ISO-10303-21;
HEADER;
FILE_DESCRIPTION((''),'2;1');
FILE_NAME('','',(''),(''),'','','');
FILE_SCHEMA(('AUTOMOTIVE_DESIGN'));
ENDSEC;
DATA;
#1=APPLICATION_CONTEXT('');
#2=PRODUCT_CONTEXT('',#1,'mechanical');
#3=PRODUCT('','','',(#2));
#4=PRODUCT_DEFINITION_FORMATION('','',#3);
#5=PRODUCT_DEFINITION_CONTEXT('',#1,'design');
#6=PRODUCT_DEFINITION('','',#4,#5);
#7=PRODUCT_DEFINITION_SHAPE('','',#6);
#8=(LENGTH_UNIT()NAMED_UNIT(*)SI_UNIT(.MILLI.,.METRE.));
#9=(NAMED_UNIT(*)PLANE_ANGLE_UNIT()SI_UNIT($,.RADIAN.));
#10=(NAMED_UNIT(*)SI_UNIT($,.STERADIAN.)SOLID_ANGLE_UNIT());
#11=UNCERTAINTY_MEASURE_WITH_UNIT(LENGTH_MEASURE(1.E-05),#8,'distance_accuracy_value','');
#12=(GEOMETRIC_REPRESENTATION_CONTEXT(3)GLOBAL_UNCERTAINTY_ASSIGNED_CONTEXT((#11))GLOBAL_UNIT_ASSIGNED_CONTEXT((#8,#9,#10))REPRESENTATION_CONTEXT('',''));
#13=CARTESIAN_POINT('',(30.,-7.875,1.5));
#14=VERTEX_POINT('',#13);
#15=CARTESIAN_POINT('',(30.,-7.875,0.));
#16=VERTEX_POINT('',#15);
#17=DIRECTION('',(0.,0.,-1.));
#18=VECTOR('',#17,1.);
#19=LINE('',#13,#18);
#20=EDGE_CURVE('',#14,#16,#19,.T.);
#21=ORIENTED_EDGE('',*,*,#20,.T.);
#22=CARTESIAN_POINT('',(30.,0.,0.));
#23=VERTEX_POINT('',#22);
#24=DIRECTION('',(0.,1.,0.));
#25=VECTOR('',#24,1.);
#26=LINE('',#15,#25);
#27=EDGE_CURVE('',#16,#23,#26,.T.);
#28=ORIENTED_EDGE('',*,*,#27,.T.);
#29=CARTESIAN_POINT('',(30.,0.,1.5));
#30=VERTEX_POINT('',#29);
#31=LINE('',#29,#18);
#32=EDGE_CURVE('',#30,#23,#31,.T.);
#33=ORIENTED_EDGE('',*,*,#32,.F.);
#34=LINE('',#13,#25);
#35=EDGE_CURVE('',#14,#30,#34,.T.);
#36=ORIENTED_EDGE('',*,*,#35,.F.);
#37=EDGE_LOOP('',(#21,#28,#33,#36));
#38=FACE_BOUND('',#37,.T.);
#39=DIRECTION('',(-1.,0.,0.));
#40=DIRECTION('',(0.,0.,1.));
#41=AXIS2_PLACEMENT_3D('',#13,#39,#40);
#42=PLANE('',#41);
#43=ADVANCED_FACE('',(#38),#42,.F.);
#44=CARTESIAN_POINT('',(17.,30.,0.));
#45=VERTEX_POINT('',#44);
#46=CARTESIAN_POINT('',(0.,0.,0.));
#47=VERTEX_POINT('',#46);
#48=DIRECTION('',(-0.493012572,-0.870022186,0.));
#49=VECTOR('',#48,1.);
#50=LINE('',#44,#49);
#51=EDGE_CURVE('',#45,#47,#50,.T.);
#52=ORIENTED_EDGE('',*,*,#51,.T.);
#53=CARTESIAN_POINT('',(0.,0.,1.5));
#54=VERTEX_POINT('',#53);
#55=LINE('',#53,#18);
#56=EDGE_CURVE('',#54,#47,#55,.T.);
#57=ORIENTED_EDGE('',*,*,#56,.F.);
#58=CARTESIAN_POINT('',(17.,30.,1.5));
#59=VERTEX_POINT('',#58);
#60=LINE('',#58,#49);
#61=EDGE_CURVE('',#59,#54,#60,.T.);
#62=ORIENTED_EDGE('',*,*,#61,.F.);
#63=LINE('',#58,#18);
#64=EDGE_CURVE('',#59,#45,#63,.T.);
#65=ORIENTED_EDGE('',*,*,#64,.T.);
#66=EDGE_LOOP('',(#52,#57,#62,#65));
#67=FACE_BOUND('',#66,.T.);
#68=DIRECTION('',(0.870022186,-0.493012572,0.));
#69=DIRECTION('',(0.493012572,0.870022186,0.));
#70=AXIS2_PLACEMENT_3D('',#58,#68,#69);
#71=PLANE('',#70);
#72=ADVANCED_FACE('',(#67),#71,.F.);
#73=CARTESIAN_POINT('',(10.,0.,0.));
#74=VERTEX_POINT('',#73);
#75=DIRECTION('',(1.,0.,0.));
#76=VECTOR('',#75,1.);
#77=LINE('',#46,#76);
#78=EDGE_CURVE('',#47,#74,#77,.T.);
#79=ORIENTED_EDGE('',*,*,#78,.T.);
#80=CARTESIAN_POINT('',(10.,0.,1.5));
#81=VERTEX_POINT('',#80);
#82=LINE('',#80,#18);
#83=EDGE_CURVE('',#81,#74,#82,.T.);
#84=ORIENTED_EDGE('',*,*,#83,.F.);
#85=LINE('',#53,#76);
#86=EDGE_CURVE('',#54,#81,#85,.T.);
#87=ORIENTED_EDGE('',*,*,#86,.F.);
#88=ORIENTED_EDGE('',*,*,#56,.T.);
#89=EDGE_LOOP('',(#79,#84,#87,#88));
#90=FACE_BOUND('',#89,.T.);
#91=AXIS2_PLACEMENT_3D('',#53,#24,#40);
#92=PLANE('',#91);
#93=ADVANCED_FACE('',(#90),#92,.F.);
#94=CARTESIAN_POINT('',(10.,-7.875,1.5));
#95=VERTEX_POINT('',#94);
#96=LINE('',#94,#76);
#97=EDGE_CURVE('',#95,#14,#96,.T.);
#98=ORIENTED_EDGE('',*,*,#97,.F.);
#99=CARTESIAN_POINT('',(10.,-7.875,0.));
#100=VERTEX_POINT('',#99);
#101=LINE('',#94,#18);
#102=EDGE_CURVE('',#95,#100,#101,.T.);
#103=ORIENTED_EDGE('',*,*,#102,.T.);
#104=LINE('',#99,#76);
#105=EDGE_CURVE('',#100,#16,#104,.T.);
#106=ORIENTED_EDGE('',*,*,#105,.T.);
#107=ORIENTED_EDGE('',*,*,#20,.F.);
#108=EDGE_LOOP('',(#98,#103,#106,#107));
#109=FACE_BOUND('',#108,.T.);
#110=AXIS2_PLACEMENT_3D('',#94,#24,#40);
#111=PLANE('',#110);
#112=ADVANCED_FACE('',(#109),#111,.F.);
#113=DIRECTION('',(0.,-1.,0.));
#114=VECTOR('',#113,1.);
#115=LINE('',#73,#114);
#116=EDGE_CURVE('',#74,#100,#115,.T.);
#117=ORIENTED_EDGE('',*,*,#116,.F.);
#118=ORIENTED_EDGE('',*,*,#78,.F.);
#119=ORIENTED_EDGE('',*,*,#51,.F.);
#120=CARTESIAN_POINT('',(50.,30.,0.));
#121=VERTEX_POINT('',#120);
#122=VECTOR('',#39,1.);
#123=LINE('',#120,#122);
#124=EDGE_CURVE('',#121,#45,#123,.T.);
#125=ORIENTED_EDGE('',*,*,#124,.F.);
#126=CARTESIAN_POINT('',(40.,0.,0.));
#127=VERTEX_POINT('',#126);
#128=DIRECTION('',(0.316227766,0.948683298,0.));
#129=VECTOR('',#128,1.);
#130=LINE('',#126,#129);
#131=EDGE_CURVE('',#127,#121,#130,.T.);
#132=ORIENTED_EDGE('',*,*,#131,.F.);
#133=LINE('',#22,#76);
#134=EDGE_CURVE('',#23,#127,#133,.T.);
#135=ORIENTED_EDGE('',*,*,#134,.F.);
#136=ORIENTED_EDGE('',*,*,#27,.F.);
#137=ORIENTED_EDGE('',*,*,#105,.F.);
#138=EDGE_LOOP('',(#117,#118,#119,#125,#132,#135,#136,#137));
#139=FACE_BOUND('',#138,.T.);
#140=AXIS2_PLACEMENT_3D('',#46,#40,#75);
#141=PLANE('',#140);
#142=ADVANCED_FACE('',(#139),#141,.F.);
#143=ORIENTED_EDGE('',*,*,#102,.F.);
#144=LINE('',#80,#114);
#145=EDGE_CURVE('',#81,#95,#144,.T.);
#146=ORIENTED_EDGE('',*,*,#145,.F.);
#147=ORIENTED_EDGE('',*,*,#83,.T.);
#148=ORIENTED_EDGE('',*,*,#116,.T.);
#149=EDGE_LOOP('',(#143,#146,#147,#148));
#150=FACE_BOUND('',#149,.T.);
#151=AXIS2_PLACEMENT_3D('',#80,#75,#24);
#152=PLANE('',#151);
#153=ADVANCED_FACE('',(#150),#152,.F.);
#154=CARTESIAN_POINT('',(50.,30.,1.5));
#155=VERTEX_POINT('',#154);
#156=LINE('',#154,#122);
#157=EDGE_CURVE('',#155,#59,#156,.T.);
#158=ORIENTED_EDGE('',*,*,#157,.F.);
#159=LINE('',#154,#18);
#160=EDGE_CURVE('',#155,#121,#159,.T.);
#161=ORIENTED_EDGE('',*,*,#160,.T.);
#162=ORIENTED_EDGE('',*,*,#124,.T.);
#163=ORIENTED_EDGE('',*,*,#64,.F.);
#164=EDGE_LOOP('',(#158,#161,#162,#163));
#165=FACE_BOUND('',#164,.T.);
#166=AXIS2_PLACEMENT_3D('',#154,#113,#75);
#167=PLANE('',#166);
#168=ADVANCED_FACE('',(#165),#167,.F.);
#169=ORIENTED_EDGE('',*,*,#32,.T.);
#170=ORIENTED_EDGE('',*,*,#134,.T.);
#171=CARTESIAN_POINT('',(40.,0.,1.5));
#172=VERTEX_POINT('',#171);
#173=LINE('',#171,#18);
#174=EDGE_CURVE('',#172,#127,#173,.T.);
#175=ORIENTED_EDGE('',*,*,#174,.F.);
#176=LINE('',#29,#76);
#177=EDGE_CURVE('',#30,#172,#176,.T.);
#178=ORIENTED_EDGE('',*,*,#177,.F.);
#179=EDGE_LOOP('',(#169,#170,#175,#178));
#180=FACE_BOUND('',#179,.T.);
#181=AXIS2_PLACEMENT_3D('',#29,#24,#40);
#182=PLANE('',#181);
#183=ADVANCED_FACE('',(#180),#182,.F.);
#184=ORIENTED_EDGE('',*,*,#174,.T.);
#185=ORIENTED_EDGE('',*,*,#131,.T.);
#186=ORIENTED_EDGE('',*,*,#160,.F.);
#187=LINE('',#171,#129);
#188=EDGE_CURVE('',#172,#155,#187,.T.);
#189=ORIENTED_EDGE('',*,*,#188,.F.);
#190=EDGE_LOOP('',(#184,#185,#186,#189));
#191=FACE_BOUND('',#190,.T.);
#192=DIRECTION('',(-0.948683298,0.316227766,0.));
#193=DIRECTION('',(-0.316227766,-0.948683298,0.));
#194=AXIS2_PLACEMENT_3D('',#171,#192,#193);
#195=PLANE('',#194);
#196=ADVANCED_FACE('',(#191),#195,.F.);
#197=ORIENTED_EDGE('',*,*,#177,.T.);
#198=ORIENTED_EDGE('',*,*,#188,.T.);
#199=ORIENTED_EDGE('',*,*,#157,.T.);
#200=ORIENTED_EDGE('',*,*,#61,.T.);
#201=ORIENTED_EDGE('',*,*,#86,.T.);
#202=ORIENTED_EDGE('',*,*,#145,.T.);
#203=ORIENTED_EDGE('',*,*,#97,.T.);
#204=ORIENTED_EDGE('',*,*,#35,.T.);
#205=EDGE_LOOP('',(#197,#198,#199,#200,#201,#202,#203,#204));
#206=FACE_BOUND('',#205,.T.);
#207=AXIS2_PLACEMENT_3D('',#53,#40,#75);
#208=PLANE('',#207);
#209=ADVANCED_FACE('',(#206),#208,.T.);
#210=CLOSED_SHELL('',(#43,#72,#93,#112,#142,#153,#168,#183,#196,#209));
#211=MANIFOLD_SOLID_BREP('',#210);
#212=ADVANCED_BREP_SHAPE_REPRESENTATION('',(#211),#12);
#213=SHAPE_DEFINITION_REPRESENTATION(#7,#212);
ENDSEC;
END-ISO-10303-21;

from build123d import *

# Parameters (mm, degrees)
BOSS_EXTRUDE1_DEPTH = 1.5


with BuildPart() as part:
    # Sketch1 → Boss-Extrude1 (new body)
    with BuildSketch(Plane.XY):
        Polygon((0, 0), (10, 0), (10, -7.875), (30, -7.875), (30, 0), (40, 0), (50, 30), (17, 30), align=None)
    extrude(amount=BOSS_EXTRUDE1_DEPTH)


solid = part.part
